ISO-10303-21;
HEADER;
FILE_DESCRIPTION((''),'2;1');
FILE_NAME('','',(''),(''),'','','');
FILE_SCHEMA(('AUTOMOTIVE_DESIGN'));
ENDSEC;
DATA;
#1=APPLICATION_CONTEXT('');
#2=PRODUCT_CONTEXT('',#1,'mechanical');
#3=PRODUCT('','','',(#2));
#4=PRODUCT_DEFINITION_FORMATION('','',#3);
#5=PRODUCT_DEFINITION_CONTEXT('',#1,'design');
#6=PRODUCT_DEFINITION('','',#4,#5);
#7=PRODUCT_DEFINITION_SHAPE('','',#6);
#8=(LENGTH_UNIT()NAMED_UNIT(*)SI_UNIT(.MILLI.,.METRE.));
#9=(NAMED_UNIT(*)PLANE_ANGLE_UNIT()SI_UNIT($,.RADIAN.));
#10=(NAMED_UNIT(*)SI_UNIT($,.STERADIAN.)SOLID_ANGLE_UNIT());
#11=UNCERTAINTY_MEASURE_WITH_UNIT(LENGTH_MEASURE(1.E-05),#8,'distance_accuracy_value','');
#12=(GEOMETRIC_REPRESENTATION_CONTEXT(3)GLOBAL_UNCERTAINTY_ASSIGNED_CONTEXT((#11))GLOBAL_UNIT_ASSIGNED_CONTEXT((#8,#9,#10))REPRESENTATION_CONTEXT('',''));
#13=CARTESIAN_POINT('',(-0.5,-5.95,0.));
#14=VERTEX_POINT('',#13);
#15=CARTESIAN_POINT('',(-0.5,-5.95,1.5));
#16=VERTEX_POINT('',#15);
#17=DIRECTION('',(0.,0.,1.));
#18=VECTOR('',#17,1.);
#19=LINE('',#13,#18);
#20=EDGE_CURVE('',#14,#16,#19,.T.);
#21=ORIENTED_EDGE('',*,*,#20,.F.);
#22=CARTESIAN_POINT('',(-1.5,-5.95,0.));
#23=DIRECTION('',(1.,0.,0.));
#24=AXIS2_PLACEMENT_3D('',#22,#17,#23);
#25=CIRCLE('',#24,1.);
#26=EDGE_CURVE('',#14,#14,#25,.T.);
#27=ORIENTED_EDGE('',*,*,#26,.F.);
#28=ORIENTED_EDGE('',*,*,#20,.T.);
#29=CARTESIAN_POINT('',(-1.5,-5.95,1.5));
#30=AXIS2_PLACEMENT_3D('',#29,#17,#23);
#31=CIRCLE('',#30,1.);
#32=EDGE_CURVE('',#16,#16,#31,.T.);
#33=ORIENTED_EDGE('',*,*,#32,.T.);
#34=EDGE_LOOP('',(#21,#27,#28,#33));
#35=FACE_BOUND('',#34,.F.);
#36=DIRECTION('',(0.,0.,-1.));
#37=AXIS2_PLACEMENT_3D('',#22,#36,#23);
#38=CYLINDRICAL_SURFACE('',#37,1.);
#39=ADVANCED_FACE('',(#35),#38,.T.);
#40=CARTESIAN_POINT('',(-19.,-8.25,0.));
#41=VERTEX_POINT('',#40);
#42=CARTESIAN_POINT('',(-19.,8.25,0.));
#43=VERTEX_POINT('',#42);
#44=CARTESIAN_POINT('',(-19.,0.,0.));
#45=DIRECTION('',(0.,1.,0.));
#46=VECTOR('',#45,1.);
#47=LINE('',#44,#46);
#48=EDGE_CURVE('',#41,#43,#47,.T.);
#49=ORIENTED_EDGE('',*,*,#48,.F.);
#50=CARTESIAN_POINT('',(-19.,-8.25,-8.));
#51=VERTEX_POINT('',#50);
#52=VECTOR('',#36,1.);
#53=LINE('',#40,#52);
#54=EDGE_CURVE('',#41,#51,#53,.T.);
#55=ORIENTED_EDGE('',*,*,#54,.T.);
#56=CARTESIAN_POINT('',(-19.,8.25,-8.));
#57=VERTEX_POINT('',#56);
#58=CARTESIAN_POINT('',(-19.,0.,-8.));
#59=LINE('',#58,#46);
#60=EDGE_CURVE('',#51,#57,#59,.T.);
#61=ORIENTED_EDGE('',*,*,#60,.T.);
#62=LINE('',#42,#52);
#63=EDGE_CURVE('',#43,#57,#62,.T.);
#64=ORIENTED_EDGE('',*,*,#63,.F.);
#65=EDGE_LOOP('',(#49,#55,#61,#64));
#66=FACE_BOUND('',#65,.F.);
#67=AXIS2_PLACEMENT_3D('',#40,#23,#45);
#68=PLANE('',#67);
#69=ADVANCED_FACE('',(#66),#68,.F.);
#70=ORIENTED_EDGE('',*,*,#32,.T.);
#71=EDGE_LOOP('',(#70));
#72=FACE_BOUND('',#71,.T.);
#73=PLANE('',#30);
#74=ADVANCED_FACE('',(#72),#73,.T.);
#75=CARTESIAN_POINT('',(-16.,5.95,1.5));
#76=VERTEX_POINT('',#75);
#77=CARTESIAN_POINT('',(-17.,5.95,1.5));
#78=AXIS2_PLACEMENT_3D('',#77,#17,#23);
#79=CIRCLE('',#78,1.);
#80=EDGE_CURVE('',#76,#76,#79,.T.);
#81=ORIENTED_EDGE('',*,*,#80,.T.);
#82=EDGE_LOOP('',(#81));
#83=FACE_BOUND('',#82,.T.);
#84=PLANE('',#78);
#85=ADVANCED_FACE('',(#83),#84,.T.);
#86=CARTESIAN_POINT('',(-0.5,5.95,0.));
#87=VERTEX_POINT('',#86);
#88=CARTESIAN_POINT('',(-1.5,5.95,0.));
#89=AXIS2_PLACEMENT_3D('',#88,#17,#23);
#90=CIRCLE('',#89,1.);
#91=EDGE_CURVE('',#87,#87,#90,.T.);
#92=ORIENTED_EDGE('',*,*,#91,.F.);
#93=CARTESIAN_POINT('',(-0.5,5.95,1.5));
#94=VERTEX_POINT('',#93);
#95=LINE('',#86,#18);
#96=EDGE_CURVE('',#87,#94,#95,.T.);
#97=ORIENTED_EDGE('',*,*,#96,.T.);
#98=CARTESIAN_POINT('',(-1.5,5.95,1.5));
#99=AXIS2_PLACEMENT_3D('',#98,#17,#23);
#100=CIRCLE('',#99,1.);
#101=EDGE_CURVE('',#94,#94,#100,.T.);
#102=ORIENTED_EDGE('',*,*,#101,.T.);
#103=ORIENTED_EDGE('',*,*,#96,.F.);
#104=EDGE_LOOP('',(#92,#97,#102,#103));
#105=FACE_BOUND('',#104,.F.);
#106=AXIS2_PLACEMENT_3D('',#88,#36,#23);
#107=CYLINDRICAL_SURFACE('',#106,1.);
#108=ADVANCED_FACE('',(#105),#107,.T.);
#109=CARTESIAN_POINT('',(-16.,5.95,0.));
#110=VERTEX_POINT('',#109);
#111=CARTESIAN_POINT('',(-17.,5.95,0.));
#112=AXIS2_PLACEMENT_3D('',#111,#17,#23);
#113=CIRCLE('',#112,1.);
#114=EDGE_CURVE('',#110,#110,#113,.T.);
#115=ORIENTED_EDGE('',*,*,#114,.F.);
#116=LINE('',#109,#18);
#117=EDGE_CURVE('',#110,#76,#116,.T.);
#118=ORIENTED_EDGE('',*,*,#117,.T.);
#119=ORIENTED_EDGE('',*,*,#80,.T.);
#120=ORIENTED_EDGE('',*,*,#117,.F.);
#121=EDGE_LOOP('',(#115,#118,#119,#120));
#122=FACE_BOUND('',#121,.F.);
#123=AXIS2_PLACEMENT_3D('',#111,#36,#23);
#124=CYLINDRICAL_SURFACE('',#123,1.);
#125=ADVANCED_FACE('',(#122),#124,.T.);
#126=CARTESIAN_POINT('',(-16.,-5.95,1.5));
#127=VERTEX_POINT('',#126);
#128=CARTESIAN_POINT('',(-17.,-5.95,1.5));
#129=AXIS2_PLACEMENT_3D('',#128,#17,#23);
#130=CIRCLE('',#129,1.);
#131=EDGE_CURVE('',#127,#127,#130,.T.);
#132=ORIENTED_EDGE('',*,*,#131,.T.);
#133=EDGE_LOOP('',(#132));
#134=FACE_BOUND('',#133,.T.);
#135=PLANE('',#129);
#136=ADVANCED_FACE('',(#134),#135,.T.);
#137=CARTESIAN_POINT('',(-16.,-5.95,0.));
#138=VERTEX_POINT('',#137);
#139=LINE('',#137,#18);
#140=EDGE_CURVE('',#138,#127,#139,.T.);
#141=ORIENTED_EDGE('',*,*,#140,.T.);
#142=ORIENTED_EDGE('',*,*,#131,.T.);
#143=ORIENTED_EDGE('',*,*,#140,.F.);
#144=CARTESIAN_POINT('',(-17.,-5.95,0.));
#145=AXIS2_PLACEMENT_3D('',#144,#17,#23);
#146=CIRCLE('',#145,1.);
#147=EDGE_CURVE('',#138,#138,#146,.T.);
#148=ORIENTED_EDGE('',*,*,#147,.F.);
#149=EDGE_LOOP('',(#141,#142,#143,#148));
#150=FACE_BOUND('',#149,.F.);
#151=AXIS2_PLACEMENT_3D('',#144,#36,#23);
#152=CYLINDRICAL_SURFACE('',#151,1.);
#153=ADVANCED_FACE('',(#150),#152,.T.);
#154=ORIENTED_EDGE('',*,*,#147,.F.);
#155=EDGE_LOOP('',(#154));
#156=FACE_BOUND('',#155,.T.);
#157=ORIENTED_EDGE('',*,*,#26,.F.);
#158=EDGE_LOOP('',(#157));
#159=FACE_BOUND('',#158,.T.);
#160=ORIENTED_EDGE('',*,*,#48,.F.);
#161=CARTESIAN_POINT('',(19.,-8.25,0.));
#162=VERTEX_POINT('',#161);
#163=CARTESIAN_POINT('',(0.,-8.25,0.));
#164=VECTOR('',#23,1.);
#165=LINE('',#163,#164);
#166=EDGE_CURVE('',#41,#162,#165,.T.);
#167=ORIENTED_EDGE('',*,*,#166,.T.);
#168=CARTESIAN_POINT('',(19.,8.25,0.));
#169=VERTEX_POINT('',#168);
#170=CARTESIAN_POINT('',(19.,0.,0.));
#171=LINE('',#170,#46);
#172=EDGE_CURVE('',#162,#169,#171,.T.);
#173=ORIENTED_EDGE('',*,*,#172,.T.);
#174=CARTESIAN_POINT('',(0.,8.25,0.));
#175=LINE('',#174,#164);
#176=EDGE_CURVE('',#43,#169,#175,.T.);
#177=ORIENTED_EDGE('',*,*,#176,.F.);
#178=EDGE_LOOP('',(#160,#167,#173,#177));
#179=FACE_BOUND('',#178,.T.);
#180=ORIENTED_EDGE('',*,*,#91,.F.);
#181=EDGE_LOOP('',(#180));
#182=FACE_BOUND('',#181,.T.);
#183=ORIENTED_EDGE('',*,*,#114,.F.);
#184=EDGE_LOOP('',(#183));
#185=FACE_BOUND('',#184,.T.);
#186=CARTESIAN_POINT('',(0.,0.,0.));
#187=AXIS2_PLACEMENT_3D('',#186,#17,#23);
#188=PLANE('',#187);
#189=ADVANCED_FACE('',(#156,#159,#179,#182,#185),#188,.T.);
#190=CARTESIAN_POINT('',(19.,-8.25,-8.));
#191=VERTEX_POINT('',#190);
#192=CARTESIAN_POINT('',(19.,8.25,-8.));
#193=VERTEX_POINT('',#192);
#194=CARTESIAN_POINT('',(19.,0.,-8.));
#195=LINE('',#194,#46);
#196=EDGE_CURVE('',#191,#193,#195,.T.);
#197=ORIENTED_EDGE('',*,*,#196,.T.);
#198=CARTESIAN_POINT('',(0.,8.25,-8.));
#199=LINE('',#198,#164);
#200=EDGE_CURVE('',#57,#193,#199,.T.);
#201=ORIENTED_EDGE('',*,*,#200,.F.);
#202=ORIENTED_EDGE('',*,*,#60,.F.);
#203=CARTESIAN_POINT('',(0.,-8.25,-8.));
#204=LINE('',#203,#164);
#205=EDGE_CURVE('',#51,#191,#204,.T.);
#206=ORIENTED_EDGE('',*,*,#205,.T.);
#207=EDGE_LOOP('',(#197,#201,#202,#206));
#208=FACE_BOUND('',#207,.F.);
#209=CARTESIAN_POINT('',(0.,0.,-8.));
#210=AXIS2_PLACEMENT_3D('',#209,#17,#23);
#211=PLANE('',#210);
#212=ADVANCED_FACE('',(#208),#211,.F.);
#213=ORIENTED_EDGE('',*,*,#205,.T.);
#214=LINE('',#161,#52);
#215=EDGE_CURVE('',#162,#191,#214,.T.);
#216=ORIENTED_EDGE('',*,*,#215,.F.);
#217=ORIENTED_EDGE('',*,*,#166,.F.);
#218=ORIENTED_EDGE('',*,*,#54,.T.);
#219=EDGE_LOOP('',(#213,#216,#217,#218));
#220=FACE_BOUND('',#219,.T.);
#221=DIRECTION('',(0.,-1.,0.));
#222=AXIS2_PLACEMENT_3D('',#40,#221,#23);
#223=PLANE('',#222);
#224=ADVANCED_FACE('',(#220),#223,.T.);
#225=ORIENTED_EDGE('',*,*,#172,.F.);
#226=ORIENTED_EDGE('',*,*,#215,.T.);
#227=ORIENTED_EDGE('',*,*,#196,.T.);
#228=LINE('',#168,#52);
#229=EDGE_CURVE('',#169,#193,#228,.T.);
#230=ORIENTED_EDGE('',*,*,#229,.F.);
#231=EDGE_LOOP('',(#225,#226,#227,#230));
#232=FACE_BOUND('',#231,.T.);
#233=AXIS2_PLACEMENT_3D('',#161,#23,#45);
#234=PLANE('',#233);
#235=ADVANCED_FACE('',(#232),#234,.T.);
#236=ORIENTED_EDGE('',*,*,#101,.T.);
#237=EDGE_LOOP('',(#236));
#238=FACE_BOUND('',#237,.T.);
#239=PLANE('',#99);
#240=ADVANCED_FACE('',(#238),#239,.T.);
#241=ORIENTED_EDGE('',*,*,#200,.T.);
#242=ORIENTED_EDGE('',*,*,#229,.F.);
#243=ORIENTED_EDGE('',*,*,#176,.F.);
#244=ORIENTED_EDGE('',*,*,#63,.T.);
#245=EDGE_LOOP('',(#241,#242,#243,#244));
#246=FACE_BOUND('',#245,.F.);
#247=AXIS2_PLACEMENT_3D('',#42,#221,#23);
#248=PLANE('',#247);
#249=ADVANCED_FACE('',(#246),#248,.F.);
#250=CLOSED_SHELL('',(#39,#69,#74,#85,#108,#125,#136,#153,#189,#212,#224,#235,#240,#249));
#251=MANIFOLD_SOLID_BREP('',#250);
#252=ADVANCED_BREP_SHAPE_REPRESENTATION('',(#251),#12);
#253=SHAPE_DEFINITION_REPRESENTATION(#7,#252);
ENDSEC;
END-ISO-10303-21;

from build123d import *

# Parameters (mm, degrees)
F0_W     = 38
F0_H     = 16.5
F1_DEPTH = 8
F2_R     = 1
F3_DEPTH = 1.5


with BuildPart() as f1:
    # F0 (on Top) → F1 (new body)
    with BuildSketch(Plane.XY):
        Rectangle(F0_W, F0_H)
    extrude(amount=-F1_DEPTH)

    # F2 (on face) → F3 (join)
    with BuildSketch(Plane.XY):
        with Locations((-17, 5.95)):
            Circle(F2_R)
        with Locations((-17, -5.95)):
            Circle(F2_R)
        with Locations((-1.5, 5.95)):
            Circle(F2_R)
        with Locations((-1.5, -5.95)):
            Circle(F2_R)
    extrude(amount=F3_DEPTH)


solid = f1.part
